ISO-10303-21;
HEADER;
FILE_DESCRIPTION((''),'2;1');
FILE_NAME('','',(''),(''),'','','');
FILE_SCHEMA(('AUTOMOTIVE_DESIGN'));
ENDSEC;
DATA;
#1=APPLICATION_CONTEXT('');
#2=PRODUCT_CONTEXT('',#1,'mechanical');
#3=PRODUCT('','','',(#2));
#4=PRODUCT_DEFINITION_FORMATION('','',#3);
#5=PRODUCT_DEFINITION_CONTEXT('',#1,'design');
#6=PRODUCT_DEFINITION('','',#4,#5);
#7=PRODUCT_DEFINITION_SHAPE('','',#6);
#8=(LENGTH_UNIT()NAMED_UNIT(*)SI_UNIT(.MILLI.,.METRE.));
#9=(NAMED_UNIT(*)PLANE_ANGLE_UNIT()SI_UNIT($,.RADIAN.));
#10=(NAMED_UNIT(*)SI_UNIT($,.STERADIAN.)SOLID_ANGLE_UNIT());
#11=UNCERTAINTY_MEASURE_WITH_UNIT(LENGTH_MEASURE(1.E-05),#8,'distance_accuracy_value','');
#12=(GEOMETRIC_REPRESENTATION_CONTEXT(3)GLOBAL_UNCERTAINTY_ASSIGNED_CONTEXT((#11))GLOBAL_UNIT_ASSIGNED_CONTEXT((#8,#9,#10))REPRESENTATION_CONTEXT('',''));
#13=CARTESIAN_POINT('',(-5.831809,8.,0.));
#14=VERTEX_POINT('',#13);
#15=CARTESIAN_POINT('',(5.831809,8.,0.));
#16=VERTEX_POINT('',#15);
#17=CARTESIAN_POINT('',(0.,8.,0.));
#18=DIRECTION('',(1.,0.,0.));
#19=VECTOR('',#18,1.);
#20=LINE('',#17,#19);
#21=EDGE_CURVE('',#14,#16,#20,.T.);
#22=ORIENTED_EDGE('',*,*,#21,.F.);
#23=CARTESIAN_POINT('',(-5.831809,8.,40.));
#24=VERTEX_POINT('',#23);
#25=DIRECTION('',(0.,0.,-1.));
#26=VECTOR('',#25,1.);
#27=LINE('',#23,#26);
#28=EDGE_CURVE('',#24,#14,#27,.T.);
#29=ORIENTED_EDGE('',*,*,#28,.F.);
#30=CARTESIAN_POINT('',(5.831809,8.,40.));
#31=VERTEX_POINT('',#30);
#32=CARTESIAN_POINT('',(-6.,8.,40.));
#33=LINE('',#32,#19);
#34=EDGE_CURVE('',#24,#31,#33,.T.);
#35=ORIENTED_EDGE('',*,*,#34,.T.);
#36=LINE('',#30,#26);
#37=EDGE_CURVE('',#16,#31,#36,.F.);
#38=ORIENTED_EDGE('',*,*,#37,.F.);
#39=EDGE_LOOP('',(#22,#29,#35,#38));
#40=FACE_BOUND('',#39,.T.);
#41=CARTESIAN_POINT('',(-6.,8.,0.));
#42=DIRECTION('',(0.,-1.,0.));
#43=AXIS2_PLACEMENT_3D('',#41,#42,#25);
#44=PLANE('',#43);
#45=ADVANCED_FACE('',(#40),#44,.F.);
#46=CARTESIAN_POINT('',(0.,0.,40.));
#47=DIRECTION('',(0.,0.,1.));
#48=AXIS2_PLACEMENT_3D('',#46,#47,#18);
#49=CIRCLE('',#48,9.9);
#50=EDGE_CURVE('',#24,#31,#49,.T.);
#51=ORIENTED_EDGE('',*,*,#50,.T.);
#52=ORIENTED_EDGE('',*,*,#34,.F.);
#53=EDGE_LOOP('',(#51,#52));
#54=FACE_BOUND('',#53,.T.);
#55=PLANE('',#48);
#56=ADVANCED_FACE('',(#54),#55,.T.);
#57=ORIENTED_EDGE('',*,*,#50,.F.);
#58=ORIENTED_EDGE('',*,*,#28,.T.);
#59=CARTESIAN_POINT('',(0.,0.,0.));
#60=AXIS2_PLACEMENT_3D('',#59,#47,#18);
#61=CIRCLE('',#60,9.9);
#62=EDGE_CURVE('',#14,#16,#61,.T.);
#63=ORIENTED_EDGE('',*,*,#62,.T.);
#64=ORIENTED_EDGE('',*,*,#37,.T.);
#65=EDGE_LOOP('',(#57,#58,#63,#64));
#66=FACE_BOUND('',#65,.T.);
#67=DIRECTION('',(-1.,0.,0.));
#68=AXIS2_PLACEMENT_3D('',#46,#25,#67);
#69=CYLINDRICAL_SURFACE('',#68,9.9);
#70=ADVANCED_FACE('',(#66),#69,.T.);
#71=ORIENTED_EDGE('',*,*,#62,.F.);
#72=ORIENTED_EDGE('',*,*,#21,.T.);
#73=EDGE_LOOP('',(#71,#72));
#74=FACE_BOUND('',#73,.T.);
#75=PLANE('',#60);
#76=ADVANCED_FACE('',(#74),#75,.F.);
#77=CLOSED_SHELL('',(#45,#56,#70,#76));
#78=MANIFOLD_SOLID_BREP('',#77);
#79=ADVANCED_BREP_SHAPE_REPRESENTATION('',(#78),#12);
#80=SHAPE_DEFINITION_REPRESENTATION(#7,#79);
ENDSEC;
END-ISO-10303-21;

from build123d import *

# Parameters (mm, degrees)
SKETCH_1_R          = 9.9
EXTRUDE_1_DEPTH     = 40
CUT_EXTRUDE_1_DEPTH = 43.379476165


with BuildPart() as part:
    # 草图1 → 凸台-拉伸1 (new body)
    with BuildSketch(Plane.XY):
        Circle(SKETCH_1_R)
    extrude(amount=EXTRUDE_1_DEPTH)

    # 草图2 → 切除-拉伸1 (cut, through all)
    with BuildSketch(Plane.XY.offset(40)):
        with BuildLine():
            Line((-6, 8), (6, 8))
            ThreePointArc((6, 8), (0, 10), (-6, 8))
        make_face()
    extrude(amount=-CUT_EXTRUDE_1_DEPTH, mode=Mode.SUBTRACT)


solid = part.part
